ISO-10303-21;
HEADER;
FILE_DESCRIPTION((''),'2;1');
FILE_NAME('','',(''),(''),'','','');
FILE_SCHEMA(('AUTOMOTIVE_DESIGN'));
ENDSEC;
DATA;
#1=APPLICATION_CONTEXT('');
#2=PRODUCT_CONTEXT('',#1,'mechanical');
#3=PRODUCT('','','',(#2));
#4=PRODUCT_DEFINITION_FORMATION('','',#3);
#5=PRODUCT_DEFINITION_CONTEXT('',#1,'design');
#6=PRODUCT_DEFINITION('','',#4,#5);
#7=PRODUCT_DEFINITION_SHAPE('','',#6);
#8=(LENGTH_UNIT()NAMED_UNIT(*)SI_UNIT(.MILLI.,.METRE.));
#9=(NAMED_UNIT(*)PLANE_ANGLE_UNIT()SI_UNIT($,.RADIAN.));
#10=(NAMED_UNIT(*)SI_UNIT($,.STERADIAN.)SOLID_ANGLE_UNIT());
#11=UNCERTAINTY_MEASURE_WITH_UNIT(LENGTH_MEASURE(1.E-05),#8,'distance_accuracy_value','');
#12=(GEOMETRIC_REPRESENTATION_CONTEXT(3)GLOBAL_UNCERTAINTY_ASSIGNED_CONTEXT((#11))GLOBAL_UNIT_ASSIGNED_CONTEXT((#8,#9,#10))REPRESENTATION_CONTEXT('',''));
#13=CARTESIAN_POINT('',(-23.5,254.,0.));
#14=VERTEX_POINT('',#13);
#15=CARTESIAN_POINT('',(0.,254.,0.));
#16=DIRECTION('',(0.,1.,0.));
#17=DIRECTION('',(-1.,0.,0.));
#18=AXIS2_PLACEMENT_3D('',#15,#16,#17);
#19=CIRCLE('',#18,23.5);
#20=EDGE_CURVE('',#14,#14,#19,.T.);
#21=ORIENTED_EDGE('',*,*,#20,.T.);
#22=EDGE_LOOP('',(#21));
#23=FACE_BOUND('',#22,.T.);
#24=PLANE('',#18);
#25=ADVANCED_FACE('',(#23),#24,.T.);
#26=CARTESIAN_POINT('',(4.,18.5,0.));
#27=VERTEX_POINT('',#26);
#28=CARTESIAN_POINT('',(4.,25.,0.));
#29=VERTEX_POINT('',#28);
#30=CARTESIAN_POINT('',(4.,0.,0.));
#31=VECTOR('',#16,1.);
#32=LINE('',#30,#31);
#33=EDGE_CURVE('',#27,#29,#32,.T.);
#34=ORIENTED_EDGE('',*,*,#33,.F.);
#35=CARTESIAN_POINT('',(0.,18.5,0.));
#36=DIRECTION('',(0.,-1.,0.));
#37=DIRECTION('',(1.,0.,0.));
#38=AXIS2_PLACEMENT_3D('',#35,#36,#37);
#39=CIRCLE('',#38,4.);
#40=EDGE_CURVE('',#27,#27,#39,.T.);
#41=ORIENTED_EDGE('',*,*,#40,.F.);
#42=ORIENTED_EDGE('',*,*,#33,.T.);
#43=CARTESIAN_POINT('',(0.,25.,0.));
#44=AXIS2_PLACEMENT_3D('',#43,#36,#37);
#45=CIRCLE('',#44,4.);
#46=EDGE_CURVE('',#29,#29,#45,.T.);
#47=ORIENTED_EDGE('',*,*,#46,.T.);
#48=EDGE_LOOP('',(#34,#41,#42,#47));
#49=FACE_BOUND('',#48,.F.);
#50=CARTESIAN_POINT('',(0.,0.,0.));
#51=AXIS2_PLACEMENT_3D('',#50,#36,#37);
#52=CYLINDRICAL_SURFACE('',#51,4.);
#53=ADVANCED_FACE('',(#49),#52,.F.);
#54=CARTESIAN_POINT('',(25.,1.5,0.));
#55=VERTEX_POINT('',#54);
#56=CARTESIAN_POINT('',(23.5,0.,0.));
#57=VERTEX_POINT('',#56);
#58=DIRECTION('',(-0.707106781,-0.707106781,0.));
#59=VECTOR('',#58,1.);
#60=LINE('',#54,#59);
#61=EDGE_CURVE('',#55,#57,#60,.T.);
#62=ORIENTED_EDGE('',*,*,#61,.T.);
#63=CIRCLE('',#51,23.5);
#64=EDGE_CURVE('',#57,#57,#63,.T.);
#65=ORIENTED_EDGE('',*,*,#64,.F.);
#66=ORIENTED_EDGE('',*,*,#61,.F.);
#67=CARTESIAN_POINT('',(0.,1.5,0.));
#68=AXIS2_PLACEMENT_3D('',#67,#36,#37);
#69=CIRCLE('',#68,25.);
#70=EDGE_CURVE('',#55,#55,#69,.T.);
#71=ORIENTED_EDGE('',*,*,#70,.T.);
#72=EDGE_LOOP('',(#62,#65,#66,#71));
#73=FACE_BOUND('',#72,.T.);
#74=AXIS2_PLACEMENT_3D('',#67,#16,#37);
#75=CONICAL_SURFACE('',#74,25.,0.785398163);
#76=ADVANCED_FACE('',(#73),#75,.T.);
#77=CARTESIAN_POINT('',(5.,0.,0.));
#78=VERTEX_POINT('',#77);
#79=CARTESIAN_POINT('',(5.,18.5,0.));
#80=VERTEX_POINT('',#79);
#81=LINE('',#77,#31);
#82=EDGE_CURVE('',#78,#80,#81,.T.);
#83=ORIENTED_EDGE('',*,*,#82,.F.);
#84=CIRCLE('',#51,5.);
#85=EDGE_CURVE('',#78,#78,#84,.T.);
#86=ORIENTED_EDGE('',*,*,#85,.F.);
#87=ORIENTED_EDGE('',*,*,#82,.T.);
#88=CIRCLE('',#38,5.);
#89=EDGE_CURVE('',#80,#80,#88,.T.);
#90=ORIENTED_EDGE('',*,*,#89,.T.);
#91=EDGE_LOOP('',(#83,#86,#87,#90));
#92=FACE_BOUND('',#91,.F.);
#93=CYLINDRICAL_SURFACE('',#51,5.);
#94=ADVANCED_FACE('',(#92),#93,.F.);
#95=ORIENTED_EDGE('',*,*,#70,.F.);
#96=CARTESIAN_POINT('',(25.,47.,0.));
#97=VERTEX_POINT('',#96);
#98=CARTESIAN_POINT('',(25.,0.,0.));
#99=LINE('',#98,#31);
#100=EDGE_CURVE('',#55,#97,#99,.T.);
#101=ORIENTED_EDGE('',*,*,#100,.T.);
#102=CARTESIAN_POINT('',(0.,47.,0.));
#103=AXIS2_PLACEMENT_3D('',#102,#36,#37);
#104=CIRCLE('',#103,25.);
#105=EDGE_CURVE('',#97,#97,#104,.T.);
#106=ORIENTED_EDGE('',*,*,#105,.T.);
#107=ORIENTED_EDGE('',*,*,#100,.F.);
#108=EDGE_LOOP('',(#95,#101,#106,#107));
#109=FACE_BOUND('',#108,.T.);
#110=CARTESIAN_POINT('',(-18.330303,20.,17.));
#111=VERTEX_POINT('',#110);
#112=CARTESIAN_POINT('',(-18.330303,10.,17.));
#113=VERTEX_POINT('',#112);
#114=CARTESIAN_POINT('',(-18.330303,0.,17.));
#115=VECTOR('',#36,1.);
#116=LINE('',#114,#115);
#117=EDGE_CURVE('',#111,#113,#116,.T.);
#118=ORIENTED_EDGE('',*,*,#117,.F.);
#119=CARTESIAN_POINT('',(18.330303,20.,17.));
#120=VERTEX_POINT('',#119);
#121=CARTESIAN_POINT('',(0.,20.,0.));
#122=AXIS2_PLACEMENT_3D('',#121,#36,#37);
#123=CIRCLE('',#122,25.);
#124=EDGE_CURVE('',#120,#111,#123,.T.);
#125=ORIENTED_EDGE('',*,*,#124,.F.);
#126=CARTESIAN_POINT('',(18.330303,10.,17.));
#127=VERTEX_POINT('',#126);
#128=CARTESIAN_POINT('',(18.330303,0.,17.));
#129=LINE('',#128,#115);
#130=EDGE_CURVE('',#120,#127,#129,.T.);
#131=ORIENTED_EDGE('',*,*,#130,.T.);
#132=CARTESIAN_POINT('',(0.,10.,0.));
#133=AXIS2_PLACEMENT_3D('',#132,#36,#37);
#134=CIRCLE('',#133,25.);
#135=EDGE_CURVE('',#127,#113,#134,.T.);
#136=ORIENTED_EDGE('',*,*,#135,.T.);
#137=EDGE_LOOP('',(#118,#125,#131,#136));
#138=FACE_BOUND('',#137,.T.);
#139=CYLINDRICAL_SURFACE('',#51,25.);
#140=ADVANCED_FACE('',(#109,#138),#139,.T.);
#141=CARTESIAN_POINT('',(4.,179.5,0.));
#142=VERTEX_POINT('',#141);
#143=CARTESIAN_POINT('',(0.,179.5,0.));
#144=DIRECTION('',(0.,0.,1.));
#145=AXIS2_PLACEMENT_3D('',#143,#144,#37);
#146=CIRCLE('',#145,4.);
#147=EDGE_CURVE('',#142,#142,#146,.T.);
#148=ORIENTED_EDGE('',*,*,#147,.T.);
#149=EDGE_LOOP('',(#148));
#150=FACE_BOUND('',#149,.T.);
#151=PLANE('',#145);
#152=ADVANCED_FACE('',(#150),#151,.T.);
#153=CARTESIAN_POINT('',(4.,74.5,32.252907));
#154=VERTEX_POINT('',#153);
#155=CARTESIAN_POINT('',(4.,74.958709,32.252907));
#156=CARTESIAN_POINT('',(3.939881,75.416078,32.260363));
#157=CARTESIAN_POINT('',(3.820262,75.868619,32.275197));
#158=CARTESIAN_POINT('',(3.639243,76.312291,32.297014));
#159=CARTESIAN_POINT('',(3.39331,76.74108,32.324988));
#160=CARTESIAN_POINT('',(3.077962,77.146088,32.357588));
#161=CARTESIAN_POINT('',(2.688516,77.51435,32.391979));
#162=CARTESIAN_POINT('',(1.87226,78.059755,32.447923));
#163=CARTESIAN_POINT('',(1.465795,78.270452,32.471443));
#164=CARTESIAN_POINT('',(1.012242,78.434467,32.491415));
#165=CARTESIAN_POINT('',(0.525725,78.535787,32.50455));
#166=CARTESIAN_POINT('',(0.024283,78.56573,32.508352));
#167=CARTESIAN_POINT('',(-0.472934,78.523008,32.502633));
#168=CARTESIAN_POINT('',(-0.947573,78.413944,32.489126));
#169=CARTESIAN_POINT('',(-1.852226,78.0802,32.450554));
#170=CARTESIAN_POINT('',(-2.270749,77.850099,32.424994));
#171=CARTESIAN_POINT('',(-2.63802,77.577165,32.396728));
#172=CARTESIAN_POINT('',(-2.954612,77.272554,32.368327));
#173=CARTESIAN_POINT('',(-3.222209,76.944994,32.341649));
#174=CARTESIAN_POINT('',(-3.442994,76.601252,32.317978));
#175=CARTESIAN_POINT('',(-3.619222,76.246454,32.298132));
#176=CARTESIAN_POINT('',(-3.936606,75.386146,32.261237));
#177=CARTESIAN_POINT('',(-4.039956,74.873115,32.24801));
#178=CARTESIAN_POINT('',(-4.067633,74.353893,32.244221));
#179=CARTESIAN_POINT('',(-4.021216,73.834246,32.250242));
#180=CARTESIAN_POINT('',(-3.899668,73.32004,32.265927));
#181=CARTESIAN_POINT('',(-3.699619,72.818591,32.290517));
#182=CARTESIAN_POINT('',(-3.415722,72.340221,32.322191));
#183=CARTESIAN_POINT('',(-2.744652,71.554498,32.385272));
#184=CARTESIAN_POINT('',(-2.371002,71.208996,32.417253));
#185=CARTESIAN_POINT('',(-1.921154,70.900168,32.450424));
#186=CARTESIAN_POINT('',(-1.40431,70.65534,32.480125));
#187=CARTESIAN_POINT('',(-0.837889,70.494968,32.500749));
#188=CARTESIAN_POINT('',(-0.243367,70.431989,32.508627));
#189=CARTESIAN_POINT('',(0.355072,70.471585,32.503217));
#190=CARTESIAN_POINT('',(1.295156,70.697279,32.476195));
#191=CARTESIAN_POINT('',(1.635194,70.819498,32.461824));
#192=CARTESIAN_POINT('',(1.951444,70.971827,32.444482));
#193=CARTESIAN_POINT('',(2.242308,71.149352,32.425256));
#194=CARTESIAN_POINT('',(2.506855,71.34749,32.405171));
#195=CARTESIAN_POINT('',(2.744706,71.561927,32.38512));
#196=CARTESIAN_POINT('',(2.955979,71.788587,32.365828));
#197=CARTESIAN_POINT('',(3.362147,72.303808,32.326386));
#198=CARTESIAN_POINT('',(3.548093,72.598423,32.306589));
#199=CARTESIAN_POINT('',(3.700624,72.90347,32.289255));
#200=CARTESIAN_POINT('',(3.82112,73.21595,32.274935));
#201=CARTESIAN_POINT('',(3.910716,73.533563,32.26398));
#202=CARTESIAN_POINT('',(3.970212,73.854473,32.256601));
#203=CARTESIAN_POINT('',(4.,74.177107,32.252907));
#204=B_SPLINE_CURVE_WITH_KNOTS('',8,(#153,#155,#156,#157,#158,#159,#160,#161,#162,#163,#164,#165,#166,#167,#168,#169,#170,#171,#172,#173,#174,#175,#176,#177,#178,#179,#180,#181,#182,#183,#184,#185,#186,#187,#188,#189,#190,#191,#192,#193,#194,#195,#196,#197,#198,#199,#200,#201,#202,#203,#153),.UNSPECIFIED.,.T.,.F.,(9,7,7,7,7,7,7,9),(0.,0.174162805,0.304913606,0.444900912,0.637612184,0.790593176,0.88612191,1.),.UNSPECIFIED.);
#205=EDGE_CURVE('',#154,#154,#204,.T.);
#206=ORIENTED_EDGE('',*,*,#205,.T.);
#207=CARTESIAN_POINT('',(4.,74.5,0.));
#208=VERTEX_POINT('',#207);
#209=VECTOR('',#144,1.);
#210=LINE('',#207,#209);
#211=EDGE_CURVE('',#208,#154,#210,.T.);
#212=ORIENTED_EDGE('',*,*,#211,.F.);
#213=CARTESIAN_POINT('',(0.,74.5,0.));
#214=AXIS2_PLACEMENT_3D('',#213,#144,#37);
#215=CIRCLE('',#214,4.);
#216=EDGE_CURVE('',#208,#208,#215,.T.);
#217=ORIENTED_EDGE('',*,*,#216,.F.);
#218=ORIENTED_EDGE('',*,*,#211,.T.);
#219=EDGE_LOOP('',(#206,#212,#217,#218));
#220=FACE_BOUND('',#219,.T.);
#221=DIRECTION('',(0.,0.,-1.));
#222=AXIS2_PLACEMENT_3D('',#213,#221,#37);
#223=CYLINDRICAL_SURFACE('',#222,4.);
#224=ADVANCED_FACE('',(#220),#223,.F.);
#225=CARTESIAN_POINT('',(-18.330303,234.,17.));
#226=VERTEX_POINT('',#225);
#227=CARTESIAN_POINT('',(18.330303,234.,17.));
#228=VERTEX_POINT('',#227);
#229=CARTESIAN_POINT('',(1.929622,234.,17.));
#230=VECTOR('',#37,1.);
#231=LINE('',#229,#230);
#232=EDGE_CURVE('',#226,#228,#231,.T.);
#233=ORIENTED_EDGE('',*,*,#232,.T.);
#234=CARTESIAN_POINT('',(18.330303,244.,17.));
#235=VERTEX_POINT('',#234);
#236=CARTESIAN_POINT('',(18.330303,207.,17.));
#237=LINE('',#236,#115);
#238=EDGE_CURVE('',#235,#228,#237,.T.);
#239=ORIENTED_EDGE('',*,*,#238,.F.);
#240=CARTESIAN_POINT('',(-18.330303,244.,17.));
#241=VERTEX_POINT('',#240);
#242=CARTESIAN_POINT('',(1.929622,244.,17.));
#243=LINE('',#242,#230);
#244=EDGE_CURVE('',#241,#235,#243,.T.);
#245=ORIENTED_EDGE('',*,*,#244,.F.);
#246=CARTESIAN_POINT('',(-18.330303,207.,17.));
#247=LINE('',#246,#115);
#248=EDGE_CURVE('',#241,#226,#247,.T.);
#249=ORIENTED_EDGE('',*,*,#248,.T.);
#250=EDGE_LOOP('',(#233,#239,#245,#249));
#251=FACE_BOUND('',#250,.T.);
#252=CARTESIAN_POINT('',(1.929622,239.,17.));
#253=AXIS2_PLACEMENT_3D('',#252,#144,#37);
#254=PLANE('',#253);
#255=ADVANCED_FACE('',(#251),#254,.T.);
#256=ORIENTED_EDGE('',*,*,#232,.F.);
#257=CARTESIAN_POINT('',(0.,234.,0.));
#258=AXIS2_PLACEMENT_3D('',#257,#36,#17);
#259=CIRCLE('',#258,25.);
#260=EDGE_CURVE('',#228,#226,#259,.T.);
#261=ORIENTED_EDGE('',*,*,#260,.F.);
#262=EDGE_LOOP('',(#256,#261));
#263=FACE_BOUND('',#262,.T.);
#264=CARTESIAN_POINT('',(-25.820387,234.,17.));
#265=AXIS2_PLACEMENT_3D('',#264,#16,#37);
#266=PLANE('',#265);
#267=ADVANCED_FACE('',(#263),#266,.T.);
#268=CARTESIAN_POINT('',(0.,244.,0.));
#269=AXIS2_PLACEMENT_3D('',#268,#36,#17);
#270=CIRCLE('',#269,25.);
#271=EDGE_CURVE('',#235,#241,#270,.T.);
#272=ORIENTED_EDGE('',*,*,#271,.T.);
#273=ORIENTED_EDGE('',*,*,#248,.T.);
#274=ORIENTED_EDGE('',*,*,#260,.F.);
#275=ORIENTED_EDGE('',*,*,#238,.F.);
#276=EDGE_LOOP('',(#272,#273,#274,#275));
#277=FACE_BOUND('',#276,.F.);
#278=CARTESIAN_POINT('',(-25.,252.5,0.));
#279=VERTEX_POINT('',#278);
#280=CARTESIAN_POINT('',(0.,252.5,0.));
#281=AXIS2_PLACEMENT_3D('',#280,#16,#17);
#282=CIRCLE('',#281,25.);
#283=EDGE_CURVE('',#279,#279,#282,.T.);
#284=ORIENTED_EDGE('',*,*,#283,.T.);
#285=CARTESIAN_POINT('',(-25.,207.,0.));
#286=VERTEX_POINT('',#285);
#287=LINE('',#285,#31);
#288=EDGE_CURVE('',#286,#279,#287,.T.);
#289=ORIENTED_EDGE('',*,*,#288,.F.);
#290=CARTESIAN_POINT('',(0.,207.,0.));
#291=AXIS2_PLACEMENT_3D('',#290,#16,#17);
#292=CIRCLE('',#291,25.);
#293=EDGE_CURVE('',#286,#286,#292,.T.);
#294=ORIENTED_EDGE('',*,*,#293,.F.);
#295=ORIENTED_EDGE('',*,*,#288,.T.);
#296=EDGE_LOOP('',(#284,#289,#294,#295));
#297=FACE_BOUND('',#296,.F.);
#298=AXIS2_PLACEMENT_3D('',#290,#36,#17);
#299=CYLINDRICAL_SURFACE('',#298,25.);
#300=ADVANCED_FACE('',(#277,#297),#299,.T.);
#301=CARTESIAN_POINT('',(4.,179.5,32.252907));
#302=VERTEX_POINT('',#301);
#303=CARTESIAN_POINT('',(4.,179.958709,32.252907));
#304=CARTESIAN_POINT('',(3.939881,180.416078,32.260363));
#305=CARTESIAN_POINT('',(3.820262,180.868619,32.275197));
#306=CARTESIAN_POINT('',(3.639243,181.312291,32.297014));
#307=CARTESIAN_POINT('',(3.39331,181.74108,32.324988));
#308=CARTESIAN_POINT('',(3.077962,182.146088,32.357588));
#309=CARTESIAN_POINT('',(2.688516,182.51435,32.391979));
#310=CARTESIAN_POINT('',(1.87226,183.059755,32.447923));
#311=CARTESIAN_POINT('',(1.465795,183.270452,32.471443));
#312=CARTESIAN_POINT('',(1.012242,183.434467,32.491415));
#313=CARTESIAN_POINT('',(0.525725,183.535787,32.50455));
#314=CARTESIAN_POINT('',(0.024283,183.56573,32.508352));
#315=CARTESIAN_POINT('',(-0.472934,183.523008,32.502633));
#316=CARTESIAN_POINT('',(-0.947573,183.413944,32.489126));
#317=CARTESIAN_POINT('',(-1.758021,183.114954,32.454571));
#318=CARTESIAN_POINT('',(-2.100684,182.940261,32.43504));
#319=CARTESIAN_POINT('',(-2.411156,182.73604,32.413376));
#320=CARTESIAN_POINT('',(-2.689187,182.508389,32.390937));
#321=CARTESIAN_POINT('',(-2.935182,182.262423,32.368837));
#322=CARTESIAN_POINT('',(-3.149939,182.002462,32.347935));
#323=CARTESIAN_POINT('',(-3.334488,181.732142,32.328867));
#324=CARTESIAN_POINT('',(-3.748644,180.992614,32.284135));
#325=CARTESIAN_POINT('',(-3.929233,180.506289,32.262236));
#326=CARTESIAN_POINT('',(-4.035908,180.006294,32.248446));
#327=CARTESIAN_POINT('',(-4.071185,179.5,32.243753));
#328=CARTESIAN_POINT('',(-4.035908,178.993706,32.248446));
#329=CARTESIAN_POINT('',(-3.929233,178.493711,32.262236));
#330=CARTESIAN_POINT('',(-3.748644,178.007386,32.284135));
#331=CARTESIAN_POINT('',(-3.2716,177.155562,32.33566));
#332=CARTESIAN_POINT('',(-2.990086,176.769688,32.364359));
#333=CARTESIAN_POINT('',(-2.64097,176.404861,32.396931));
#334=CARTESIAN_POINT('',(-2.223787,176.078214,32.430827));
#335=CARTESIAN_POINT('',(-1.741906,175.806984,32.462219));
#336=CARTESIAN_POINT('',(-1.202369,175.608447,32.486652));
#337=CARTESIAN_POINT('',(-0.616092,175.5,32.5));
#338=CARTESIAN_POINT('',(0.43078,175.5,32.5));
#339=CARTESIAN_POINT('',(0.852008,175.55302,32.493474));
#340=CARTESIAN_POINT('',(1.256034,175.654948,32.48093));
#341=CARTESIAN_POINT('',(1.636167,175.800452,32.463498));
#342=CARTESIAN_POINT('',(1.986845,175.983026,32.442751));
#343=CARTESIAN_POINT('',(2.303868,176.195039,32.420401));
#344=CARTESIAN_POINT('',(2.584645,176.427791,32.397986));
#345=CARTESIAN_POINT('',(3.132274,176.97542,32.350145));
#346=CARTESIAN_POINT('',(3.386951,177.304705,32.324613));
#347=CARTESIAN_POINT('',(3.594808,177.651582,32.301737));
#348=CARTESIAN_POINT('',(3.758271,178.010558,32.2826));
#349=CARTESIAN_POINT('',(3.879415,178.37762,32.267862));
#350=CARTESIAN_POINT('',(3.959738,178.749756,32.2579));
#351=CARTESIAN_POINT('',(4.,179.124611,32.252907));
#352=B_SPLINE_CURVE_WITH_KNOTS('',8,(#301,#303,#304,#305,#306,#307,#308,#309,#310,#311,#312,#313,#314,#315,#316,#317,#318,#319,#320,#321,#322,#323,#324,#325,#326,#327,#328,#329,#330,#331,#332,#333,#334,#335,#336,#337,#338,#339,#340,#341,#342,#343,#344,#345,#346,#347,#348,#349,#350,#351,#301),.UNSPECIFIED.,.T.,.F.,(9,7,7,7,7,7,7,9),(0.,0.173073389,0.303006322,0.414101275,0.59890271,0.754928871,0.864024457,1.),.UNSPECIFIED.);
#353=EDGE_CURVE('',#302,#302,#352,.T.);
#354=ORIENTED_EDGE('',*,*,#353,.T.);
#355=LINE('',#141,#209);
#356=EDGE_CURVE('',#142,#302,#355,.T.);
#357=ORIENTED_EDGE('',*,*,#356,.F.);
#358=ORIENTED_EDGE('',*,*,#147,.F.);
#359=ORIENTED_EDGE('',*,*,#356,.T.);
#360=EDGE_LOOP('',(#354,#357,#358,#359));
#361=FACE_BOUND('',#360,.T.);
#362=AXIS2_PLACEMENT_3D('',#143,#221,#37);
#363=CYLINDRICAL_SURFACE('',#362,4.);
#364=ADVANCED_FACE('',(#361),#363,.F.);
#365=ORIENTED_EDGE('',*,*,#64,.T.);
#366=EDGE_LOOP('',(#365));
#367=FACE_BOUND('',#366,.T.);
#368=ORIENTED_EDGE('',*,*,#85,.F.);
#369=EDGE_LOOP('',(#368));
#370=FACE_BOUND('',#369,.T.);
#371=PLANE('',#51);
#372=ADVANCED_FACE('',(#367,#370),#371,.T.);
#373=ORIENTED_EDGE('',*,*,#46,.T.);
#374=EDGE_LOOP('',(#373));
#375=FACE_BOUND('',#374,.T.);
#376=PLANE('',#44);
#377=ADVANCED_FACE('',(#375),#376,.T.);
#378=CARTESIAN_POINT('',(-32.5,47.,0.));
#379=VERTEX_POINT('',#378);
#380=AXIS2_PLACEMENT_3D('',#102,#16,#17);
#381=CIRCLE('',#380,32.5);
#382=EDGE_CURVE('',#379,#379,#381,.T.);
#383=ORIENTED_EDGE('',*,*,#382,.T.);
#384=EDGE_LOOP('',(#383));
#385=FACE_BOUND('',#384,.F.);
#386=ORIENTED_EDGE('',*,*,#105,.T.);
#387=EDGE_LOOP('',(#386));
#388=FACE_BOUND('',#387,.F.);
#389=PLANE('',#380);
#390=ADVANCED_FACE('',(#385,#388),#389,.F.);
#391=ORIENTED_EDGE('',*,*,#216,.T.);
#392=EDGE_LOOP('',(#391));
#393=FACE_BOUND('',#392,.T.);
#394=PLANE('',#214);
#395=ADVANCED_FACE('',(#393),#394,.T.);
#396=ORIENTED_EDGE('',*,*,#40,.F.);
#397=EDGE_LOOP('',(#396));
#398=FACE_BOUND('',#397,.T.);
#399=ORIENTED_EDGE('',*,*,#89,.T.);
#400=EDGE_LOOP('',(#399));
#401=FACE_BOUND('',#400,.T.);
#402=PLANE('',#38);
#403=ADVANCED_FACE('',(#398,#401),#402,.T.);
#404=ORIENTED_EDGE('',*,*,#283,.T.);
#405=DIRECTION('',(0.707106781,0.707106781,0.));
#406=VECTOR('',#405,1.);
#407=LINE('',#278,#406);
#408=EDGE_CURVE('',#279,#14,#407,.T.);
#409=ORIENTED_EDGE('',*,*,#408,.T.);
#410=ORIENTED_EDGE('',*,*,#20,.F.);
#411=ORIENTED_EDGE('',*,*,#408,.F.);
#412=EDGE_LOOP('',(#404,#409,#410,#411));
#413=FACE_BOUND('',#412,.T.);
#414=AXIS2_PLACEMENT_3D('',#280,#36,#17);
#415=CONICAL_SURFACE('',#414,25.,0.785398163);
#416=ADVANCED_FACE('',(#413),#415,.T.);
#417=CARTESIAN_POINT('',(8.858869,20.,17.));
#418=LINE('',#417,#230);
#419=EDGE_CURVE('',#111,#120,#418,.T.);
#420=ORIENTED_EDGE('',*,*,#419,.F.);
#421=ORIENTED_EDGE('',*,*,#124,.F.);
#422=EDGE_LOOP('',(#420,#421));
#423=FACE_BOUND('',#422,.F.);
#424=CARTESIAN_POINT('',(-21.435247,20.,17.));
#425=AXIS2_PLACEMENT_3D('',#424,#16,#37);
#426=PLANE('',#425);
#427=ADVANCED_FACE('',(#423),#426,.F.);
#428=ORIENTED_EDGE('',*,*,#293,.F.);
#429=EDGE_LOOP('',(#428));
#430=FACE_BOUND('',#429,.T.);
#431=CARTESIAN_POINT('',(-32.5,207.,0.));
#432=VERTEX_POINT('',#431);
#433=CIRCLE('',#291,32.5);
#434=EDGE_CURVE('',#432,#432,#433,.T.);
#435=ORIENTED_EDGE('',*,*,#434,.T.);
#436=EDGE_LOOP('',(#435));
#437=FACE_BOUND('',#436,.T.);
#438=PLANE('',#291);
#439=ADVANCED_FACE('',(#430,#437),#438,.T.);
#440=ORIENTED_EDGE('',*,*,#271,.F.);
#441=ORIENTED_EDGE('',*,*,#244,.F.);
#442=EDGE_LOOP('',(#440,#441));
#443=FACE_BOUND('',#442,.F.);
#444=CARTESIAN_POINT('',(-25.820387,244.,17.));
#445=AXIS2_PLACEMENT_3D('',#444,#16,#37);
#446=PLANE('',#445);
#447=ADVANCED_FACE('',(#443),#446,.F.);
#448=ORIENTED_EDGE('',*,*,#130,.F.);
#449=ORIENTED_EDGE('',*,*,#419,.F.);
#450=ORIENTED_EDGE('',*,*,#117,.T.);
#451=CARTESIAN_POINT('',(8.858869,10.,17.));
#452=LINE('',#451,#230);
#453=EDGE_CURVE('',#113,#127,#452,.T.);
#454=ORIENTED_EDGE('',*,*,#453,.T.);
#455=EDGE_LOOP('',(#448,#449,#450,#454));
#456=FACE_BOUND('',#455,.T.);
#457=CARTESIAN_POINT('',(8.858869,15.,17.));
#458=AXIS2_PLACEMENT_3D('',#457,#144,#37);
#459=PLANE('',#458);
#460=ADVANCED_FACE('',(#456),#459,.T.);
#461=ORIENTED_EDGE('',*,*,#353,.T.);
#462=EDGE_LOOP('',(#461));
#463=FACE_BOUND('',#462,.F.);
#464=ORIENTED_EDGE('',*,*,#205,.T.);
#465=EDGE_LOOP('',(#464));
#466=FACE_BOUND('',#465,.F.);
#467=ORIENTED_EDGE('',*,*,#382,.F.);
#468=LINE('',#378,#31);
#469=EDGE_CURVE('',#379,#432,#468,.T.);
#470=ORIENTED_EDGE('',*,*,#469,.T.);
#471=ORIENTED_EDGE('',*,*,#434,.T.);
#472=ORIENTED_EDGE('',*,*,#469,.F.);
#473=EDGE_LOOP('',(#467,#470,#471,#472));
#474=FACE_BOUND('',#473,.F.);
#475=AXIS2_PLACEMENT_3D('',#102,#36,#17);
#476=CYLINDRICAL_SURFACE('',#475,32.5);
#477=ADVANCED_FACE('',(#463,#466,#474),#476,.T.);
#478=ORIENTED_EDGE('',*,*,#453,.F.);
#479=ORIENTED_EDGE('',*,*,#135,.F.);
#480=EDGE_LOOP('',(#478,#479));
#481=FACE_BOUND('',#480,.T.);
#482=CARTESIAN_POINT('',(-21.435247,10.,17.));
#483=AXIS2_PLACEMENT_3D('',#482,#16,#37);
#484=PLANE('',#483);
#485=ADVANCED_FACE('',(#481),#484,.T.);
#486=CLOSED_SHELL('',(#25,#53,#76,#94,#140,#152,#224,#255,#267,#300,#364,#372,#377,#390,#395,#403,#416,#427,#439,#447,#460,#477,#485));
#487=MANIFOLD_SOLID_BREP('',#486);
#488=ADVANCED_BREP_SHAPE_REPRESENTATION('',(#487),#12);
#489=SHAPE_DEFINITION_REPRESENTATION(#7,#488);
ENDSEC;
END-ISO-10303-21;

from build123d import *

# Parameters (mm, degrees)
F0_R      = 25
F1_DEPTH  = 47
F2_R      = 32.5
F3_DEPTH  = 160
F4_R      = 25
F5_DEPTH  = 47
F7_W      = 60.588232
F7_H      = 10
F8_DEPTH  = 25
F9_W      = 55.500018
F9_H      = 10
F10_DEPTH = 25
F11_R     = 4
F12_DEPTH = 25
F13_R     = 4
F14_DEPTH = 92
F15_R     = 5
F16_DEPTH = 18.5
F17_SIZE  = 1.5


with BuildPart() as f1:
    # F0 (on Front) → F1 (new body)
    with BuildSketch(Plane.XZ):
        Circle(F0_R)
    extrude(amount=-F1_DEPTH)

    # F2 (on face) → F3 (join)
    with BuildSketch(Plane(origin=(0, 47, 0), x_dir=(-1, 0, 0), z_dir=(0, 1, 0))):
        Circle(F2_R)
    extrude(amount=F3_DEPTH)

    # F4 (on face) → F5 (join)
    with BuildSketch(Plane(origin=(0, 207, 0), x_dir=(-1, 0, 0), z_dir=(0, 1, 0))):
        Circle(F4_R)
    extrude(amount=F5_DEPTH)

    # F7 (on offset) → F8 (cut)
    with BuildSketch(Plane.XY.offset(17)):
        with Locations((8.858869, 15)):
            Rectangle(F7_W, F7_H)
    extrude(amount=F8_DEPTH, mode=Mode.SUBTRACT)

    # F9 (on offset) → F10 (cut)
    with BuildSketch(Plane.XY.offset(17)):
        with Locations((1.929622, 239)):
            Rectangle(F9_W, F9_H)
    extrude(amount=F10_DEPTH, mode=Mode.SUBTRACT)

    # F11 (on Front) → F12 (cut)
    with BuildSketch(Plane.XZ):
        Circle(F11_R)
    extrude(amount=-F12_DEPTH, mode=Mode.SUBTRACT)

    # F13 (on Top) → F14 (cut)
    with BuildSketch(Plane.XY):
        with Locations((0, 74.5)):
            Circle(F13_R)
        with Locations((0, 179.5)):
            Circle(F13_R)
    extrude(amount=F14_DEPTH, mode=Mode.SUBTRACT)

    # F15 (on Front) → F16 (cut)
    with BuildSketch(Plane.XZ):
        Circle(F15_R)
    extrude(amount=-F16_DEPTH, mode=Mode.SUBTRACT)

    # F17
    f17_edges = [f1.edges().sort_by_distance(p)[0] for p in [
        (-25, 0, 0),
        (25, 254, 0),
    ]]
    chamfer(f17_edges, length=F17_SIZE)


solid = f1.part
